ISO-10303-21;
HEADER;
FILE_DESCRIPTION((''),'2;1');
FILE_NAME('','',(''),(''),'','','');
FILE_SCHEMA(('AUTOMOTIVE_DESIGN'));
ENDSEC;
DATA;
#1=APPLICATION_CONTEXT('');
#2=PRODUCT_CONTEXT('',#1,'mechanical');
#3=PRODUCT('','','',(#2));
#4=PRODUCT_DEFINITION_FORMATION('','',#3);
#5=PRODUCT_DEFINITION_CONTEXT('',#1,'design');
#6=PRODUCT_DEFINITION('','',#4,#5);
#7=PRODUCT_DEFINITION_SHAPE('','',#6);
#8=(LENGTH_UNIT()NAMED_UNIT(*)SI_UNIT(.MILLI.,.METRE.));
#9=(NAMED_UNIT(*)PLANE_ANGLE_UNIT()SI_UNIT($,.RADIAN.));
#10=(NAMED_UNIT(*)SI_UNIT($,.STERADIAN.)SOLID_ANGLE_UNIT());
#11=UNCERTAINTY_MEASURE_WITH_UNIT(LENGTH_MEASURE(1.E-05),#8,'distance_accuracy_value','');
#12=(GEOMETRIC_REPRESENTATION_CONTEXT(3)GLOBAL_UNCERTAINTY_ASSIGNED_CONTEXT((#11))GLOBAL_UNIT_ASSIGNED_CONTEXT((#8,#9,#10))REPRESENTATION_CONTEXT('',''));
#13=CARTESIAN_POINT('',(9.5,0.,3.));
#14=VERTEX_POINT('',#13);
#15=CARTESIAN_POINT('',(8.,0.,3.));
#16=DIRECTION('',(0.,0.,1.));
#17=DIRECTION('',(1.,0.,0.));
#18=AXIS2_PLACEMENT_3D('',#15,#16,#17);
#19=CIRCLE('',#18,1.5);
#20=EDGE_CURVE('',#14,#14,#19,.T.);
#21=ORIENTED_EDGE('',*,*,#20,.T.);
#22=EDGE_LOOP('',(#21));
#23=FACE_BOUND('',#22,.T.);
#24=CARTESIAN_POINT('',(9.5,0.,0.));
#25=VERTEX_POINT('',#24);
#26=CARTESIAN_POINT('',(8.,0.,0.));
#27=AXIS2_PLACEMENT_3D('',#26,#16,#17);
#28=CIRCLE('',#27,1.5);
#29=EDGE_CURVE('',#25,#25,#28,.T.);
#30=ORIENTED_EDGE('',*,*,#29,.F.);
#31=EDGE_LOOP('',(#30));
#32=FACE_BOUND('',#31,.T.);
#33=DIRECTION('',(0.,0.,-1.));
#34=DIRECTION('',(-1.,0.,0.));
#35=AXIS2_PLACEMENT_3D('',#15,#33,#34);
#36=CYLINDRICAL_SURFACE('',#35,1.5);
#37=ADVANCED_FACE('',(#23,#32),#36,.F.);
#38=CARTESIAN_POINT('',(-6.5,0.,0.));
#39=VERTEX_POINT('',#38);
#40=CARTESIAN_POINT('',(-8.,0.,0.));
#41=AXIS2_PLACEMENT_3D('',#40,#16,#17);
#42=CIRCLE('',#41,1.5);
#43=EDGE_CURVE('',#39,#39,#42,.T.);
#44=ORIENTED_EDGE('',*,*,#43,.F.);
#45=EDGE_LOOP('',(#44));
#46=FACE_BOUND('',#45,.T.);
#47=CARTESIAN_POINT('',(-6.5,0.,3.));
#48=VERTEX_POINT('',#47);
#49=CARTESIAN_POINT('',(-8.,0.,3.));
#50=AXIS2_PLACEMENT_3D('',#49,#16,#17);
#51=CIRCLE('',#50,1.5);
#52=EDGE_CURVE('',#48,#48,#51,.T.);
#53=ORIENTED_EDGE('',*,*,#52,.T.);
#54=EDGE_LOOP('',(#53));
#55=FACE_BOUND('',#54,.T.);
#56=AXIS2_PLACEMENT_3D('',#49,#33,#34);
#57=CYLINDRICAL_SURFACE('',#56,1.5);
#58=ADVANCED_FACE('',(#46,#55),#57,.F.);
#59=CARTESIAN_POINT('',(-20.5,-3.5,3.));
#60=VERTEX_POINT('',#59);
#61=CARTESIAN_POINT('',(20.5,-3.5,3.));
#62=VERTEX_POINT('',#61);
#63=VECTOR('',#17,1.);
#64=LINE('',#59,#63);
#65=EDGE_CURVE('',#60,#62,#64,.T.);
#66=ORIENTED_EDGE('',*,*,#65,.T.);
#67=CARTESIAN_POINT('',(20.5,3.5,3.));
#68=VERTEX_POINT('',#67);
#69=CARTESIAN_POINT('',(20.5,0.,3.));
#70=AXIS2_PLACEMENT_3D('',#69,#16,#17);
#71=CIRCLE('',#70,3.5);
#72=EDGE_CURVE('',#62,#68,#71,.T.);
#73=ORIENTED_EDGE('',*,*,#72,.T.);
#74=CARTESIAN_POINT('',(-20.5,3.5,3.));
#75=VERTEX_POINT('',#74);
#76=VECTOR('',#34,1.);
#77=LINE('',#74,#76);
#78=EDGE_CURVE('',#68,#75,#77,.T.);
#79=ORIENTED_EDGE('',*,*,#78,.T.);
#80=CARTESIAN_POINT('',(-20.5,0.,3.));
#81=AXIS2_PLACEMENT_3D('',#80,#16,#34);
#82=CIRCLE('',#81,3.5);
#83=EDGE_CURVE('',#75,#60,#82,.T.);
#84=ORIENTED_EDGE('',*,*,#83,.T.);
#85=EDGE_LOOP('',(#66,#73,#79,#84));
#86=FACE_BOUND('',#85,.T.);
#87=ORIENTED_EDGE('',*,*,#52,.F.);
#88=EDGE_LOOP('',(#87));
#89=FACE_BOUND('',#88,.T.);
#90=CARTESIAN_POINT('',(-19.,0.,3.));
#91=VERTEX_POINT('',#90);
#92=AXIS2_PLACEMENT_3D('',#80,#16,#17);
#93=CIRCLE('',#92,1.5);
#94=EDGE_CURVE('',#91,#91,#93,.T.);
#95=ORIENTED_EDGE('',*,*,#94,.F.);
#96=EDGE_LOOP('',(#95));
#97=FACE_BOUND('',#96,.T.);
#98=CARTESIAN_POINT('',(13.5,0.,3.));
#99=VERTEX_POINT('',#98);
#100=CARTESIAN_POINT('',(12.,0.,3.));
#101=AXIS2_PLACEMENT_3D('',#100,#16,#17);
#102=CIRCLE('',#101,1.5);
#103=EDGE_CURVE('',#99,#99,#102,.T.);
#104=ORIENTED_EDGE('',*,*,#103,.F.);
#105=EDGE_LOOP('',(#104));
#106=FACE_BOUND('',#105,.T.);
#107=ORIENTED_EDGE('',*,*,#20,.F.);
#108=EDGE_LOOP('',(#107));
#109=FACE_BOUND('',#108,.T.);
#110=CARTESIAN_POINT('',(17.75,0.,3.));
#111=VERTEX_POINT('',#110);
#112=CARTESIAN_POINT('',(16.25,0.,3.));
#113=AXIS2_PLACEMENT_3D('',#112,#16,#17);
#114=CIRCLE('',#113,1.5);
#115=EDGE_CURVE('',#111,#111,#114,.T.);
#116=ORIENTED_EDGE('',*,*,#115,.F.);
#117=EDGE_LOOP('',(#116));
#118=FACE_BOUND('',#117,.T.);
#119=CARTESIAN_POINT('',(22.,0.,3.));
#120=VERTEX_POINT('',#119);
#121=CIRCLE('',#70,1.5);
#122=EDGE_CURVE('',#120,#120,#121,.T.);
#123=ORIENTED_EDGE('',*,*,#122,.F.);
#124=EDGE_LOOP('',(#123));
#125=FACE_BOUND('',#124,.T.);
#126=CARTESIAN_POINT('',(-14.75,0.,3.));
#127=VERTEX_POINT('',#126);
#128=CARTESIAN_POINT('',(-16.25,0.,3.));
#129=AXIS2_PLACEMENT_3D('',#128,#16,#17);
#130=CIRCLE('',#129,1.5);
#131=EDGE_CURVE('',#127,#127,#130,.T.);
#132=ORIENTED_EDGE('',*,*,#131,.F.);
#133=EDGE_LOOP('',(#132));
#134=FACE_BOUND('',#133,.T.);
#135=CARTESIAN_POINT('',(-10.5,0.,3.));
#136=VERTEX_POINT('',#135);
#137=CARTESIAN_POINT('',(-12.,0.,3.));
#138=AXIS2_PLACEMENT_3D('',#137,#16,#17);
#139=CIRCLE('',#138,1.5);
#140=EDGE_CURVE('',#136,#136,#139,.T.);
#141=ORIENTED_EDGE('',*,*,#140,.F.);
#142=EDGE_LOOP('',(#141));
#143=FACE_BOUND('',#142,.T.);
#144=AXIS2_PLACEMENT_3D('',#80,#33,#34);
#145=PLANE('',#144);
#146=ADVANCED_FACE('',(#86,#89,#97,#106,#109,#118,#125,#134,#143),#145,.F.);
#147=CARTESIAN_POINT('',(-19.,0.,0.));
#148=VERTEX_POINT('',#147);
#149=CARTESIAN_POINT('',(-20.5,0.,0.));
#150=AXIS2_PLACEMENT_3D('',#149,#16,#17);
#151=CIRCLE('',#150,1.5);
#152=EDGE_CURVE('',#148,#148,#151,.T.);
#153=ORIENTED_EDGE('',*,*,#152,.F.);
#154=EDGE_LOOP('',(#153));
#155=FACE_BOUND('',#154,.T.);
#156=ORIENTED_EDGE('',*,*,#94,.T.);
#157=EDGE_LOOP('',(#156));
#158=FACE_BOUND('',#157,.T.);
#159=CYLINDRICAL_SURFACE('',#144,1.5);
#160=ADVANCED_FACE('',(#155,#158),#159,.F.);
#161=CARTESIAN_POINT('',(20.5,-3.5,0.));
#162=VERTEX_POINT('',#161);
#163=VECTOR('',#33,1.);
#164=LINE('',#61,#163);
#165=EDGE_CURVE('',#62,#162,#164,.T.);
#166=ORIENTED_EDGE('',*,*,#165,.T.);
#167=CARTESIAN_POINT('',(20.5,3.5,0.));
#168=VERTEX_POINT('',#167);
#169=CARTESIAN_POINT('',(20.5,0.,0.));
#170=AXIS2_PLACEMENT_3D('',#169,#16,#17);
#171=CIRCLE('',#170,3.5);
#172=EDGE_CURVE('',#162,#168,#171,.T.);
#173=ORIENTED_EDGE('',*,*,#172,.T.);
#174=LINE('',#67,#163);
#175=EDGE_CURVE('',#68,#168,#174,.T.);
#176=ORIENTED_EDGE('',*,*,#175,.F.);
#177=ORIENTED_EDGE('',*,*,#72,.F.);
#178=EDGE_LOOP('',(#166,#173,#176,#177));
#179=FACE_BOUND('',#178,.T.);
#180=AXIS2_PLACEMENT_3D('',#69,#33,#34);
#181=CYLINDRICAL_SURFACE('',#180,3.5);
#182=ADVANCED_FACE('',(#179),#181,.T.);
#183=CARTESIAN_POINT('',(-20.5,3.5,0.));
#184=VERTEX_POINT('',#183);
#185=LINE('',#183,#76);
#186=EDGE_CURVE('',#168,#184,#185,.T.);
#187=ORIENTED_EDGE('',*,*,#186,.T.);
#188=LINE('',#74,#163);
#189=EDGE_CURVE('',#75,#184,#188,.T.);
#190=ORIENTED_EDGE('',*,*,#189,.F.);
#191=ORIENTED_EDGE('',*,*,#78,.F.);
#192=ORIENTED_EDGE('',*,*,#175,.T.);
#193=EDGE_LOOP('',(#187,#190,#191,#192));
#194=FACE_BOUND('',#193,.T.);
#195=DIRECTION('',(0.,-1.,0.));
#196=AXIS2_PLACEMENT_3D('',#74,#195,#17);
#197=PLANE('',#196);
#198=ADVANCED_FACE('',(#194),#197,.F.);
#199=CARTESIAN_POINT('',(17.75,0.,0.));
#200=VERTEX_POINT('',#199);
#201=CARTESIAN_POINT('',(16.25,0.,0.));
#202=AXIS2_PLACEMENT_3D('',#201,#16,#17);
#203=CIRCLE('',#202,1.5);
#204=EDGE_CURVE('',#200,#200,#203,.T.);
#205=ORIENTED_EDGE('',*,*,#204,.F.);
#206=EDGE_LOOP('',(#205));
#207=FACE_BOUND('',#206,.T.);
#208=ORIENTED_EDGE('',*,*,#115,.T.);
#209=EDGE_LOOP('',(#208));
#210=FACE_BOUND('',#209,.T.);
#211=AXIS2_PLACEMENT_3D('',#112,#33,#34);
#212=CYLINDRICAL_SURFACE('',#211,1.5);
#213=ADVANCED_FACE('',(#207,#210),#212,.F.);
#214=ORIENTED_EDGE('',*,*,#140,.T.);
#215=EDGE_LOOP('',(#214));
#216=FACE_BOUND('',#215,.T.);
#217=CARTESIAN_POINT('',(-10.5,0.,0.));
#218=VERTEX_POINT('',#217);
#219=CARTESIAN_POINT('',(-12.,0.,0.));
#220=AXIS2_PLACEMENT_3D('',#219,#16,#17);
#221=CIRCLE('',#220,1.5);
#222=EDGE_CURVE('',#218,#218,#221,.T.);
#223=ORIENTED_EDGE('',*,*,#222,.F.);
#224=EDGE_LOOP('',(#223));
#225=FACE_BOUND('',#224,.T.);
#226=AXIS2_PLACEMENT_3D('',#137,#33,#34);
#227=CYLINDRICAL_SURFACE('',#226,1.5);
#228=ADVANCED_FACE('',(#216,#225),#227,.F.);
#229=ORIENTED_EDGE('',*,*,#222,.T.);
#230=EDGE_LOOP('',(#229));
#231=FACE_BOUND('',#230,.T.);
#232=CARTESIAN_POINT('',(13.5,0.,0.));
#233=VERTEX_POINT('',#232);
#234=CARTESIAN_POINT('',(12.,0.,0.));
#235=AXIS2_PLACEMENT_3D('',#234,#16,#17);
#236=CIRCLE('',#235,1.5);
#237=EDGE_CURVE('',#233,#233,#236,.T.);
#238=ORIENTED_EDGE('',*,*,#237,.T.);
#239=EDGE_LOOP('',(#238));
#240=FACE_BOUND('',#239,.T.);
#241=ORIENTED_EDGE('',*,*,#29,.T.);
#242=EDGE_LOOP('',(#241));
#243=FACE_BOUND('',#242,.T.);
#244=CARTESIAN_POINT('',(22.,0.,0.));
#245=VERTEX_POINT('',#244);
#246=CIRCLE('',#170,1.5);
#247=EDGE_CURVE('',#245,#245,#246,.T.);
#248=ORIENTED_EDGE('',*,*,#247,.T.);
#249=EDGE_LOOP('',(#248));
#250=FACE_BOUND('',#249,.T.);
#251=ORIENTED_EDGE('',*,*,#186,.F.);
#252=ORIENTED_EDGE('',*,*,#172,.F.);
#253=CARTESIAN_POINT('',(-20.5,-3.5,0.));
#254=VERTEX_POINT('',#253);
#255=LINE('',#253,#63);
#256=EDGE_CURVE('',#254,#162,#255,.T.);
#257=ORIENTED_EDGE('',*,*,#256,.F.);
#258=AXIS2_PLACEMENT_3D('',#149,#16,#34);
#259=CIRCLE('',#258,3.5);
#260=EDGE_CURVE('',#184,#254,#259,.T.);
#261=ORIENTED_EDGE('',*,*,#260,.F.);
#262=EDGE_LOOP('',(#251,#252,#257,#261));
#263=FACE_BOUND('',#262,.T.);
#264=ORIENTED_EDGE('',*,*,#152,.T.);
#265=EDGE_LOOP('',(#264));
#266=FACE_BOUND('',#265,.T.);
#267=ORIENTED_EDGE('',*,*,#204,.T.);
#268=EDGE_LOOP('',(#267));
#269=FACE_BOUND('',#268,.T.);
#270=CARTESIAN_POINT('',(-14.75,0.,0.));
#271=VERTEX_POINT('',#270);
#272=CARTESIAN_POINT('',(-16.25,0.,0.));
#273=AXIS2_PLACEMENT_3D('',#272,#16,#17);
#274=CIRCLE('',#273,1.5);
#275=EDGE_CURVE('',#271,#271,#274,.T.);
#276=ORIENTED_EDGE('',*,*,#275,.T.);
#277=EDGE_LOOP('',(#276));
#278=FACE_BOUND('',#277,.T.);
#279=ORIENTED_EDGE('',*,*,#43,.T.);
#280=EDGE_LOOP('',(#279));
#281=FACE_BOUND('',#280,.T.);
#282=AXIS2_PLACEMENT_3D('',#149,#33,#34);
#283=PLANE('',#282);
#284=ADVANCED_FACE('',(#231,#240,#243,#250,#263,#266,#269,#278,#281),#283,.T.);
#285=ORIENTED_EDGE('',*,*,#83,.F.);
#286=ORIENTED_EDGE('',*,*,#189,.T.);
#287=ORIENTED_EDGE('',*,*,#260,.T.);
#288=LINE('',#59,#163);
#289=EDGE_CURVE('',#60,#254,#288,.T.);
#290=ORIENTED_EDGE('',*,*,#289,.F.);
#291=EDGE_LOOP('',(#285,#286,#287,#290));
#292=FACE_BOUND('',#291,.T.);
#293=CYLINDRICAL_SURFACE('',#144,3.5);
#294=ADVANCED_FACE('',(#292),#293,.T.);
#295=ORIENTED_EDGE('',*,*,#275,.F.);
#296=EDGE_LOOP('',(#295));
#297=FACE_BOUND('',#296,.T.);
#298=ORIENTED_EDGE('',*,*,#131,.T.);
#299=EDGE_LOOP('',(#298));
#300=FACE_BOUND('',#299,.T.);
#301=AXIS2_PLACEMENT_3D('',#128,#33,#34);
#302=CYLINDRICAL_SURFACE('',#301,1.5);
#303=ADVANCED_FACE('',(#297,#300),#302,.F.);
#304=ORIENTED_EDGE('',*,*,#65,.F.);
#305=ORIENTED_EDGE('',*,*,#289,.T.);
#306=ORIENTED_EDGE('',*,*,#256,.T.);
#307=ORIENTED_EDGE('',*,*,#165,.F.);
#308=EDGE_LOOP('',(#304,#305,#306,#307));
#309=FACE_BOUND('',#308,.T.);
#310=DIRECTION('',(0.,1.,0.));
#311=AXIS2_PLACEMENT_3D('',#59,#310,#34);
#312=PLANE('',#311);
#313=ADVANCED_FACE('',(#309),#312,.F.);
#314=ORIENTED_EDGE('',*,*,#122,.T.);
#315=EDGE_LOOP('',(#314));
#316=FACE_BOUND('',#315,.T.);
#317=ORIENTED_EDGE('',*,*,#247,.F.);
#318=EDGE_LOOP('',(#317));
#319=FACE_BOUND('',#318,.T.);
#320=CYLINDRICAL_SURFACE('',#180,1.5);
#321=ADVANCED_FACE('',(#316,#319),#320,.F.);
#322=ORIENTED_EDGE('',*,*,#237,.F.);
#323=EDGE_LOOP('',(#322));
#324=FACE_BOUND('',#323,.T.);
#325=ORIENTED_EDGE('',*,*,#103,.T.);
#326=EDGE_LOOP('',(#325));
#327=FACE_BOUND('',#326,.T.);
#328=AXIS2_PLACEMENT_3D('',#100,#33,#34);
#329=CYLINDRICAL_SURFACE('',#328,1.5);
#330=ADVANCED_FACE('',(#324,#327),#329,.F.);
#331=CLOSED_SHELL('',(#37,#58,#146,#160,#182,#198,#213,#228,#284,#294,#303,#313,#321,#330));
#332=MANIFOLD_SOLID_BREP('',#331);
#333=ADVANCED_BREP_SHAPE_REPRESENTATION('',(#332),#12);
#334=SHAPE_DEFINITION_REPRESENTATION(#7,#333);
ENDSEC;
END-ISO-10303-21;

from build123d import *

# Parameters (mm, degrees)
SKETCH_1_R      = 1.5
EXTRUDE_1_DEPTH = 3


with BuildPart() as part:
    # 草图1 → 凸台-拉伸1 (new body)
    with BuildSketch(Plane.XY):
        with BuildLine():
            Line((-20.5, 3.5), (20.5, 3.5))
            ThreePointArc((20.5, 3.5), (24, 0), (20.5, -3.5))
            Line((20.5, -3.5), (-20.5, -3.5))
            ThreePointArc((-20.5, -3.5), (-24, 0), (-20.5, 3.5))
        make_face()
        with Locations((-20.5, 0)):
            Circle(SKETCH_1_R, mode=Mode.SUBTRACT)
        with Locations((-16.25, 0)):
            Circle(SKETCH_1_R, mode=Mode.SUBTRACT)
        with Locations((-12, 0)):
            Circle(SKETCH_1_R, mode=Mode.SUBTRACT)
        with Locations((-8, 0)):
            Circle(SKETCH_1_R, mode=Mode.SUBTRACT)
        with Locations((8, 0)):
            Circle(SKETCH_1_R, mode=Mode.SUBTRACT)
        with Locations((12, 0)):
            Circle(SKETCH_1_R, mode=Mode.SUBTRACT)
        with Locations((16.25, 0)):
            Circle(SKETCH_1_R, mode=Mode.SUBTRACT)
        with Locations((20.5, 0)):
            Circle(SKETCH_1_R, mode=Mode.SUBTRACT)
    extrude(amount=EXTRUDE_1_DEPTH)


solid = part.part
